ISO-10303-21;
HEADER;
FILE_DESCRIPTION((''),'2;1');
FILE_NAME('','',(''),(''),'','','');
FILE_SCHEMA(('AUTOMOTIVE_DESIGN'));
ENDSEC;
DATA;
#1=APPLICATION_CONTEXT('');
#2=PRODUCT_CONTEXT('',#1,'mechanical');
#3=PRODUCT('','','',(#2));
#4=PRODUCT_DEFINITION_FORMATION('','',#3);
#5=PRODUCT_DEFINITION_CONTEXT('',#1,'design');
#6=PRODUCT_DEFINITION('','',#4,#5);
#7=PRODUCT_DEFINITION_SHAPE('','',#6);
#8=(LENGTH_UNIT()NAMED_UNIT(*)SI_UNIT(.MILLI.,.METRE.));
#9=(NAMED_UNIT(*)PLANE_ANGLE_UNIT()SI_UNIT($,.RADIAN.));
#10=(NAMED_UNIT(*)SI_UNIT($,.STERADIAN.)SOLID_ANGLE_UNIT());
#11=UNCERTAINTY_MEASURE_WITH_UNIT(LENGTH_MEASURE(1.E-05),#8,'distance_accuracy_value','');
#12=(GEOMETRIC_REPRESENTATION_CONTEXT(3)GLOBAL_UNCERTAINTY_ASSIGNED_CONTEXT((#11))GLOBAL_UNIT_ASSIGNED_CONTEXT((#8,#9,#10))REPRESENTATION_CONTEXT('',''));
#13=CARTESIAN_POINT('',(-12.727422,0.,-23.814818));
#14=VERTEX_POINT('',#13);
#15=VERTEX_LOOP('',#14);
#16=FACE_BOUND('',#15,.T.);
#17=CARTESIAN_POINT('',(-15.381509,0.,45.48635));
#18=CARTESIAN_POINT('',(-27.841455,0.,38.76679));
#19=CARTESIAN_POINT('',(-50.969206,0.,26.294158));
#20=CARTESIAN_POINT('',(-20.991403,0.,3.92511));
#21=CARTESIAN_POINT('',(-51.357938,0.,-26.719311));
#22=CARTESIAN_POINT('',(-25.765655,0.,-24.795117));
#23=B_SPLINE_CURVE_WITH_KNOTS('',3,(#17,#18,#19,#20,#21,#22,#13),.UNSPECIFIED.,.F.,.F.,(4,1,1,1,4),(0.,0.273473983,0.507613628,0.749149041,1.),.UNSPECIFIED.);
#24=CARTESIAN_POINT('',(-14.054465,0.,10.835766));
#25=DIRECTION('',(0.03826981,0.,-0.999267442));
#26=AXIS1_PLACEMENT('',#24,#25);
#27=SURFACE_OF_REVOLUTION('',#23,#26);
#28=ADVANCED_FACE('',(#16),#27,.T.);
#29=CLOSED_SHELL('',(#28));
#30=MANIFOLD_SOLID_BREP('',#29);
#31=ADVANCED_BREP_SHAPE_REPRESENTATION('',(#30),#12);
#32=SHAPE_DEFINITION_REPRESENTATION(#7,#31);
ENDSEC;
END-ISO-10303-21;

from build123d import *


with BuildPart() as f1:
    # F0 (on Front) → F1 (revolve)
    with BuildSketch(Plane.XZ):
        with BuildLine():
            Line((-12.7274217084, -23.8148178905), (-15.3815085068, 45.4863496125))
            add(Edge.make_bspline(
                [(-15.3815085068, 45.4863496125), (-27.8414545372, 38.7667897508), (-50.9692063371, 26.2941584644), (-20.9914034228, 3.925109629), (-51.357937688, -26.7193110796), (-25.7656553727, -24.795117012), (-12.7274217084, -23.8148178905)],
                knots=[0, 0, 0, 0, 0.2734739833, 0.507613628, 0.7491490406, 1, 1, 1, 1], degree=3))
        make_face()
    revolve(axis=Axis((-14.0544651076, 0, 10.835765861), (0.0382698102, 0, -0.9992674425)))


solid = f1.part
